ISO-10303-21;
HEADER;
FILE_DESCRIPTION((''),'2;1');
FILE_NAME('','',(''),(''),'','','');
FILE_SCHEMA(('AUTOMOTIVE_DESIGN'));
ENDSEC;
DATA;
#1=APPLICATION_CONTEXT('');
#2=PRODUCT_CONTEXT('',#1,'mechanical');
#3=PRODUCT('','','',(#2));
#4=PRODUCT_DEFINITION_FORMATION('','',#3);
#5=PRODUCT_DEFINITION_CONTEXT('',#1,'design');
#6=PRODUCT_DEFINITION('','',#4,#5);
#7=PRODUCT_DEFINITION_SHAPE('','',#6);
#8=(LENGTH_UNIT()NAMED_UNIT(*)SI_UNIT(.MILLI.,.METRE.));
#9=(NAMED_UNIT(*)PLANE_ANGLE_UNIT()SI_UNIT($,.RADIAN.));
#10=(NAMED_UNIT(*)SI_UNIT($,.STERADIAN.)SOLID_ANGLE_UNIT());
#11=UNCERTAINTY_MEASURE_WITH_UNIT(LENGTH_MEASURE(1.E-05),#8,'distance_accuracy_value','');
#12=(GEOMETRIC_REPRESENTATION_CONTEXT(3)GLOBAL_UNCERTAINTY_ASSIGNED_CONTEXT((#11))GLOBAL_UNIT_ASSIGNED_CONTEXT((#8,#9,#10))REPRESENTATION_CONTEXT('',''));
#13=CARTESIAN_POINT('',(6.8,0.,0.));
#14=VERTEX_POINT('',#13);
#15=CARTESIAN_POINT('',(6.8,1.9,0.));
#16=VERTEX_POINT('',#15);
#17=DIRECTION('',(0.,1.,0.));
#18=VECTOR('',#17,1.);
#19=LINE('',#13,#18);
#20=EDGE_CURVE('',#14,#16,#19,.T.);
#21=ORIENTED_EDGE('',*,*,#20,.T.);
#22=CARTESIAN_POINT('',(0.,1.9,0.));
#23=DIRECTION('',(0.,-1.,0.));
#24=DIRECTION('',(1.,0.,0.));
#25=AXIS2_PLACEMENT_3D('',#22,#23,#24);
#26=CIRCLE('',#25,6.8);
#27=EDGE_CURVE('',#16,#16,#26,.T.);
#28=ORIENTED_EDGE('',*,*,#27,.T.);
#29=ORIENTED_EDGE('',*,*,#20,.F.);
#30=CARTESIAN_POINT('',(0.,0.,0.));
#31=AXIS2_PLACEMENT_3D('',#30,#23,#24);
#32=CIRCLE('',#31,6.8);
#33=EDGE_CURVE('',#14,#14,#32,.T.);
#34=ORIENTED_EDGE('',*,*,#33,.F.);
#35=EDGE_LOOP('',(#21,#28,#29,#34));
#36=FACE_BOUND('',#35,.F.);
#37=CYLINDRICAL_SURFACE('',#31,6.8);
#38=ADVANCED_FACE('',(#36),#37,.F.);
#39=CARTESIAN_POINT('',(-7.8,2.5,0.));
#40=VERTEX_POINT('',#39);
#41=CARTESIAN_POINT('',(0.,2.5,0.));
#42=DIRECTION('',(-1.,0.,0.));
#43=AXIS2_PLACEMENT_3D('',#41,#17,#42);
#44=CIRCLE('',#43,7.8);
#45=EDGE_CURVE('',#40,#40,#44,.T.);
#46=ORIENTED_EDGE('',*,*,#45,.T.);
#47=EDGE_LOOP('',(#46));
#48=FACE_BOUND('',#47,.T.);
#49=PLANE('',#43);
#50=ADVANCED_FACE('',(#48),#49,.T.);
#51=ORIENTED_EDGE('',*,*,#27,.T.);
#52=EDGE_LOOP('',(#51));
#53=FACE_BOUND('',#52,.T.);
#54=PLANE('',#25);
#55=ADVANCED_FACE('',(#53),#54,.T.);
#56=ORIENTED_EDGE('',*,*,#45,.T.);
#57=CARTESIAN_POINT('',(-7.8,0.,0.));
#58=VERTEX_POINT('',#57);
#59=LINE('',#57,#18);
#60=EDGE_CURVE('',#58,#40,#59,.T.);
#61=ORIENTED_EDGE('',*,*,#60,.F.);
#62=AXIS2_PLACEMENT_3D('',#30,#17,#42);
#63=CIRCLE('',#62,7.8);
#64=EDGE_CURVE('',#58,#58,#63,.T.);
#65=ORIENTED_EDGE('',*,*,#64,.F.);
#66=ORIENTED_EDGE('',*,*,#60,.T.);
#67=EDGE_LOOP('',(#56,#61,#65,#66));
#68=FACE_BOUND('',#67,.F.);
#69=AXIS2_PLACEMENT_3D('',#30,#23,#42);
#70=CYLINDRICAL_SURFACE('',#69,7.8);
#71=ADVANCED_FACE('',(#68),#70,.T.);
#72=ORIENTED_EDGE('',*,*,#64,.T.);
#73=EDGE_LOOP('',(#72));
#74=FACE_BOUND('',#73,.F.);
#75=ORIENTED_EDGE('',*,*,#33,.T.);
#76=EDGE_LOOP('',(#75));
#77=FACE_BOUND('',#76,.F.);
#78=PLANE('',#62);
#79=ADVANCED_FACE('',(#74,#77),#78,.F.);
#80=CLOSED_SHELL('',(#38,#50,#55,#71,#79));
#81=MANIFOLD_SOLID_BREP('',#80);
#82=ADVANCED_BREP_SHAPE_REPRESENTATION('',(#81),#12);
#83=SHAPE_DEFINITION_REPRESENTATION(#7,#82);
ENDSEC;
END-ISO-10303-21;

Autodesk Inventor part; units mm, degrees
ref_plane "YZ Plane" through (0, 0, 0) normal (1, 0, 0) x (0, 1, 0)
ref_plane "XZ Plane" through (0, 0, 0) normal (0, 1, 0) x (-1, 0, 0)
ref_plane "XY Plane" through (0, 0, 0) normal (0, 0, 1) x (1, 0, 0)
sketch "Sketch1" plane through (0, 0, 0) normal (0, 1, 0) x (-1, 0, 0)
  circle A0 centre (0, 0) radius 7.8
  dimension "d0" = 15.6
extrude "Extrusion1" add sketch "Sketch1" along normal blind 2.5
sketch "Sketch2" plane through (0, 0, 0) normal (0, -1, 0) x (1, 0, 0)
  circle A0 centre (0, 0) radius 6.8
  dimension "d3" = 13.6
extrude "Extrusion2" cut sketch "Sketch2" against normal blind 1.9
properties part number "Widefield_AdapterCap"
